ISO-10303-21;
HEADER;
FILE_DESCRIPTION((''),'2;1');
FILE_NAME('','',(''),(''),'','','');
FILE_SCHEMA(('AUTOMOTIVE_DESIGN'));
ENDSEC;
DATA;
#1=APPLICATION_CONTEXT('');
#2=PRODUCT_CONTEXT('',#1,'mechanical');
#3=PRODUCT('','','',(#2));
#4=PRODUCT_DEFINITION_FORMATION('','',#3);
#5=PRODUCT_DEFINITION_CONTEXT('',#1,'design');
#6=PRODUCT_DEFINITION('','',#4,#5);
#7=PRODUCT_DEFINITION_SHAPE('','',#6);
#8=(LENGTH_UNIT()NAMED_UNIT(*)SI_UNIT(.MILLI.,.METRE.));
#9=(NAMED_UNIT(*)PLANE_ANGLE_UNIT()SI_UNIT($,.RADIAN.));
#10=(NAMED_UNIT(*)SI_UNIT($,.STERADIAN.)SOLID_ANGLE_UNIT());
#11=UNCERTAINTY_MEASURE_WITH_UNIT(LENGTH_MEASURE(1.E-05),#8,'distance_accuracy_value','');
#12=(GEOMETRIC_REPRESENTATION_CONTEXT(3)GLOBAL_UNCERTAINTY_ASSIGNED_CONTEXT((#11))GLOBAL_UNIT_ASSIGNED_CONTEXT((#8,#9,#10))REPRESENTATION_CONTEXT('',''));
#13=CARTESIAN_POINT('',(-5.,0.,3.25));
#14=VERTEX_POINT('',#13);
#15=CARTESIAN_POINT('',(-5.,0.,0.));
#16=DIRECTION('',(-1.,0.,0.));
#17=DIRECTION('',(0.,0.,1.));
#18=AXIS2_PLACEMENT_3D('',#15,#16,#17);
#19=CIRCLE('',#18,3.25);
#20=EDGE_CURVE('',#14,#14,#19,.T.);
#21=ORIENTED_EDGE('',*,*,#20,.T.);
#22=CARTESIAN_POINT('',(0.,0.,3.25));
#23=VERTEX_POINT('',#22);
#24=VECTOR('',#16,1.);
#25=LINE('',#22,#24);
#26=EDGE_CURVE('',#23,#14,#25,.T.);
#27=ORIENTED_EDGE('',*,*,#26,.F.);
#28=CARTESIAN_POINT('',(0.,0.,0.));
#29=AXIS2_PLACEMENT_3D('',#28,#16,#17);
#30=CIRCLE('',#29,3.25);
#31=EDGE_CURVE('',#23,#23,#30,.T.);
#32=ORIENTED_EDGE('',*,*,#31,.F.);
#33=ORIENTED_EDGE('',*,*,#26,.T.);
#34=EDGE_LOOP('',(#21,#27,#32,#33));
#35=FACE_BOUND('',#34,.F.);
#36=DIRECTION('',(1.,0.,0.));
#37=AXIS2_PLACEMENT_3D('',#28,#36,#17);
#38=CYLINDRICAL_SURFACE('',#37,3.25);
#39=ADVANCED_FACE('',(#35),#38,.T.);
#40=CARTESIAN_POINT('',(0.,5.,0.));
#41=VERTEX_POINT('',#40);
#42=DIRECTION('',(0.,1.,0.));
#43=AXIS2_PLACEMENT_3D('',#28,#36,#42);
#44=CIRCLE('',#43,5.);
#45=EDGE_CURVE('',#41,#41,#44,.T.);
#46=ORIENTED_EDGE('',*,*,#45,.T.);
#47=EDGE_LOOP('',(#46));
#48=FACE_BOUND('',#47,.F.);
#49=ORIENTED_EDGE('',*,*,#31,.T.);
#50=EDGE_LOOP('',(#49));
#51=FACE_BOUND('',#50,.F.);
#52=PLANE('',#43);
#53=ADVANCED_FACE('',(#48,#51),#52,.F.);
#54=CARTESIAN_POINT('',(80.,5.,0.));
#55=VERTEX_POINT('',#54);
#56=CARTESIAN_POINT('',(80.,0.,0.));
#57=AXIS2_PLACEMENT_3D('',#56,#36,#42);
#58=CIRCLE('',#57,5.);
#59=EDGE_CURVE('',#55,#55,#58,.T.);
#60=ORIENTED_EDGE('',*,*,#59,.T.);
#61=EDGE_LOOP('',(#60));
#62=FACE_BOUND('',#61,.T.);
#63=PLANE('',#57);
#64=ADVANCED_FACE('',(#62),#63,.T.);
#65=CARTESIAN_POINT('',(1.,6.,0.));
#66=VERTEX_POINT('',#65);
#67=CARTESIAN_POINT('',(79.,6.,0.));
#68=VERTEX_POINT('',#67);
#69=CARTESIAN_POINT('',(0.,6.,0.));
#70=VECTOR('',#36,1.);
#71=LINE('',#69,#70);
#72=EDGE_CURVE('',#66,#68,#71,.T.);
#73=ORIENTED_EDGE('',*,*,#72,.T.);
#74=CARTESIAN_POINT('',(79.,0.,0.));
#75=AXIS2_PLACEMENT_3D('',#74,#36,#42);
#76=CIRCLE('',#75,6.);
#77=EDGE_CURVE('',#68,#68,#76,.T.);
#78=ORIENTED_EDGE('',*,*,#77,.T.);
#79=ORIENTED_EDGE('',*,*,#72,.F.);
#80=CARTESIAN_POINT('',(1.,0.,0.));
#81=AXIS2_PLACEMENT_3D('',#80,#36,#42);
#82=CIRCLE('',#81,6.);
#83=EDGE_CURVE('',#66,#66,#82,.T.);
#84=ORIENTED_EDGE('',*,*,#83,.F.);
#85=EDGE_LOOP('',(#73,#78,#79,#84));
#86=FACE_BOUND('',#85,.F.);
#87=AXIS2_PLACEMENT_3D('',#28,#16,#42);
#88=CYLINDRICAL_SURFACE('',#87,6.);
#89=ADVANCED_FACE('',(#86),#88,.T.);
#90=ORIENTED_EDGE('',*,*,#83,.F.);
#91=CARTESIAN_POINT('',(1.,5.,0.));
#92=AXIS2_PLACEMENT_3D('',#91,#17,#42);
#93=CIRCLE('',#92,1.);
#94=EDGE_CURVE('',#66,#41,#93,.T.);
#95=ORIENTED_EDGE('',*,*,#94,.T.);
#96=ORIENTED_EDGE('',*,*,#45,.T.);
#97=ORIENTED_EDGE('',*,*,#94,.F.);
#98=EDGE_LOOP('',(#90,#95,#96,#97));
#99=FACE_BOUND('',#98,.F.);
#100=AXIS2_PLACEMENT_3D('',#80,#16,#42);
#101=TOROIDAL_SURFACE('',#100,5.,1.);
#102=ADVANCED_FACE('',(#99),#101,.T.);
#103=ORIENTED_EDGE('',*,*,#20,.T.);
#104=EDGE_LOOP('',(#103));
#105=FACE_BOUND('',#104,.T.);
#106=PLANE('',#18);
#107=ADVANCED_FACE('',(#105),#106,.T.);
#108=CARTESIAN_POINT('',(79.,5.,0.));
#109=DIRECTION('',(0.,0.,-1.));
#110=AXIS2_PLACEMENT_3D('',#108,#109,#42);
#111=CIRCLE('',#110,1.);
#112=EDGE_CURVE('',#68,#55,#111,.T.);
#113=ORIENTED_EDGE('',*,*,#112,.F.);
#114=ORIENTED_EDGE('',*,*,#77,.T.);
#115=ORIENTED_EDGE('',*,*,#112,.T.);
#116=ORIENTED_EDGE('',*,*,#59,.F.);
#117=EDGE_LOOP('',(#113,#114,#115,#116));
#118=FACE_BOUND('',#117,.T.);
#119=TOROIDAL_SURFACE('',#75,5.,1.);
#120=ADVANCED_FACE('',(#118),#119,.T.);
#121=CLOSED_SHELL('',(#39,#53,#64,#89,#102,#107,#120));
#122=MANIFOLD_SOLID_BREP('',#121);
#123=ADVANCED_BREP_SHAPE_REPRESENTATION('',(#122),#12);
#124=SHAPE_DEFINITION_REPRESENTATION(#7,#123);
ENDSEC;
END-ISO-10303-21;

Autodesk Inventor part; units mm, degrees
ref_plane "YZ Plane" through (0, 0, 0) normal (1, 0, 0) x (0, 1, 0)
ref_plane "XZ Plane" through (0, 0, 0) normal (0, 1, 0) x (-1, 0, 0)
ref_plane "XY Plane" through (0, 0, 0) normal (0, 0, 1) x (1, 0, 0)
sketch "Sketch1" plane through (0, 0, 0) normal (1, 0, 0) x (0, 1, 0)
  point P0 (0, 0)
sketch "Sketch2" plane through (0, 0, 0) normal (1, 0, 0) x (0, 1, 0)
  circle A0 centre (0, 0) radius 6
  dimension "d0" = 12
extrude "Extrusion1" add sketch "Sketch2" along normal blind 80
sketch "Sketch3" plane through (0, 0, 0) normal (-1, 0, 0) x (0, 0, 1)
  circle A0 centre (0, 0) radius 3.25
  dimension "d3" = 6.5
extrude "Extrusion2" add sketch "Sketch3" along normal blind 5
fillet "Fillet1" radius 1 1 edges at (0, -6, 0)
fillet "Fillet2" radius 1 1 edges at (80, -6, 0)
properties part number "Handle_holder"
